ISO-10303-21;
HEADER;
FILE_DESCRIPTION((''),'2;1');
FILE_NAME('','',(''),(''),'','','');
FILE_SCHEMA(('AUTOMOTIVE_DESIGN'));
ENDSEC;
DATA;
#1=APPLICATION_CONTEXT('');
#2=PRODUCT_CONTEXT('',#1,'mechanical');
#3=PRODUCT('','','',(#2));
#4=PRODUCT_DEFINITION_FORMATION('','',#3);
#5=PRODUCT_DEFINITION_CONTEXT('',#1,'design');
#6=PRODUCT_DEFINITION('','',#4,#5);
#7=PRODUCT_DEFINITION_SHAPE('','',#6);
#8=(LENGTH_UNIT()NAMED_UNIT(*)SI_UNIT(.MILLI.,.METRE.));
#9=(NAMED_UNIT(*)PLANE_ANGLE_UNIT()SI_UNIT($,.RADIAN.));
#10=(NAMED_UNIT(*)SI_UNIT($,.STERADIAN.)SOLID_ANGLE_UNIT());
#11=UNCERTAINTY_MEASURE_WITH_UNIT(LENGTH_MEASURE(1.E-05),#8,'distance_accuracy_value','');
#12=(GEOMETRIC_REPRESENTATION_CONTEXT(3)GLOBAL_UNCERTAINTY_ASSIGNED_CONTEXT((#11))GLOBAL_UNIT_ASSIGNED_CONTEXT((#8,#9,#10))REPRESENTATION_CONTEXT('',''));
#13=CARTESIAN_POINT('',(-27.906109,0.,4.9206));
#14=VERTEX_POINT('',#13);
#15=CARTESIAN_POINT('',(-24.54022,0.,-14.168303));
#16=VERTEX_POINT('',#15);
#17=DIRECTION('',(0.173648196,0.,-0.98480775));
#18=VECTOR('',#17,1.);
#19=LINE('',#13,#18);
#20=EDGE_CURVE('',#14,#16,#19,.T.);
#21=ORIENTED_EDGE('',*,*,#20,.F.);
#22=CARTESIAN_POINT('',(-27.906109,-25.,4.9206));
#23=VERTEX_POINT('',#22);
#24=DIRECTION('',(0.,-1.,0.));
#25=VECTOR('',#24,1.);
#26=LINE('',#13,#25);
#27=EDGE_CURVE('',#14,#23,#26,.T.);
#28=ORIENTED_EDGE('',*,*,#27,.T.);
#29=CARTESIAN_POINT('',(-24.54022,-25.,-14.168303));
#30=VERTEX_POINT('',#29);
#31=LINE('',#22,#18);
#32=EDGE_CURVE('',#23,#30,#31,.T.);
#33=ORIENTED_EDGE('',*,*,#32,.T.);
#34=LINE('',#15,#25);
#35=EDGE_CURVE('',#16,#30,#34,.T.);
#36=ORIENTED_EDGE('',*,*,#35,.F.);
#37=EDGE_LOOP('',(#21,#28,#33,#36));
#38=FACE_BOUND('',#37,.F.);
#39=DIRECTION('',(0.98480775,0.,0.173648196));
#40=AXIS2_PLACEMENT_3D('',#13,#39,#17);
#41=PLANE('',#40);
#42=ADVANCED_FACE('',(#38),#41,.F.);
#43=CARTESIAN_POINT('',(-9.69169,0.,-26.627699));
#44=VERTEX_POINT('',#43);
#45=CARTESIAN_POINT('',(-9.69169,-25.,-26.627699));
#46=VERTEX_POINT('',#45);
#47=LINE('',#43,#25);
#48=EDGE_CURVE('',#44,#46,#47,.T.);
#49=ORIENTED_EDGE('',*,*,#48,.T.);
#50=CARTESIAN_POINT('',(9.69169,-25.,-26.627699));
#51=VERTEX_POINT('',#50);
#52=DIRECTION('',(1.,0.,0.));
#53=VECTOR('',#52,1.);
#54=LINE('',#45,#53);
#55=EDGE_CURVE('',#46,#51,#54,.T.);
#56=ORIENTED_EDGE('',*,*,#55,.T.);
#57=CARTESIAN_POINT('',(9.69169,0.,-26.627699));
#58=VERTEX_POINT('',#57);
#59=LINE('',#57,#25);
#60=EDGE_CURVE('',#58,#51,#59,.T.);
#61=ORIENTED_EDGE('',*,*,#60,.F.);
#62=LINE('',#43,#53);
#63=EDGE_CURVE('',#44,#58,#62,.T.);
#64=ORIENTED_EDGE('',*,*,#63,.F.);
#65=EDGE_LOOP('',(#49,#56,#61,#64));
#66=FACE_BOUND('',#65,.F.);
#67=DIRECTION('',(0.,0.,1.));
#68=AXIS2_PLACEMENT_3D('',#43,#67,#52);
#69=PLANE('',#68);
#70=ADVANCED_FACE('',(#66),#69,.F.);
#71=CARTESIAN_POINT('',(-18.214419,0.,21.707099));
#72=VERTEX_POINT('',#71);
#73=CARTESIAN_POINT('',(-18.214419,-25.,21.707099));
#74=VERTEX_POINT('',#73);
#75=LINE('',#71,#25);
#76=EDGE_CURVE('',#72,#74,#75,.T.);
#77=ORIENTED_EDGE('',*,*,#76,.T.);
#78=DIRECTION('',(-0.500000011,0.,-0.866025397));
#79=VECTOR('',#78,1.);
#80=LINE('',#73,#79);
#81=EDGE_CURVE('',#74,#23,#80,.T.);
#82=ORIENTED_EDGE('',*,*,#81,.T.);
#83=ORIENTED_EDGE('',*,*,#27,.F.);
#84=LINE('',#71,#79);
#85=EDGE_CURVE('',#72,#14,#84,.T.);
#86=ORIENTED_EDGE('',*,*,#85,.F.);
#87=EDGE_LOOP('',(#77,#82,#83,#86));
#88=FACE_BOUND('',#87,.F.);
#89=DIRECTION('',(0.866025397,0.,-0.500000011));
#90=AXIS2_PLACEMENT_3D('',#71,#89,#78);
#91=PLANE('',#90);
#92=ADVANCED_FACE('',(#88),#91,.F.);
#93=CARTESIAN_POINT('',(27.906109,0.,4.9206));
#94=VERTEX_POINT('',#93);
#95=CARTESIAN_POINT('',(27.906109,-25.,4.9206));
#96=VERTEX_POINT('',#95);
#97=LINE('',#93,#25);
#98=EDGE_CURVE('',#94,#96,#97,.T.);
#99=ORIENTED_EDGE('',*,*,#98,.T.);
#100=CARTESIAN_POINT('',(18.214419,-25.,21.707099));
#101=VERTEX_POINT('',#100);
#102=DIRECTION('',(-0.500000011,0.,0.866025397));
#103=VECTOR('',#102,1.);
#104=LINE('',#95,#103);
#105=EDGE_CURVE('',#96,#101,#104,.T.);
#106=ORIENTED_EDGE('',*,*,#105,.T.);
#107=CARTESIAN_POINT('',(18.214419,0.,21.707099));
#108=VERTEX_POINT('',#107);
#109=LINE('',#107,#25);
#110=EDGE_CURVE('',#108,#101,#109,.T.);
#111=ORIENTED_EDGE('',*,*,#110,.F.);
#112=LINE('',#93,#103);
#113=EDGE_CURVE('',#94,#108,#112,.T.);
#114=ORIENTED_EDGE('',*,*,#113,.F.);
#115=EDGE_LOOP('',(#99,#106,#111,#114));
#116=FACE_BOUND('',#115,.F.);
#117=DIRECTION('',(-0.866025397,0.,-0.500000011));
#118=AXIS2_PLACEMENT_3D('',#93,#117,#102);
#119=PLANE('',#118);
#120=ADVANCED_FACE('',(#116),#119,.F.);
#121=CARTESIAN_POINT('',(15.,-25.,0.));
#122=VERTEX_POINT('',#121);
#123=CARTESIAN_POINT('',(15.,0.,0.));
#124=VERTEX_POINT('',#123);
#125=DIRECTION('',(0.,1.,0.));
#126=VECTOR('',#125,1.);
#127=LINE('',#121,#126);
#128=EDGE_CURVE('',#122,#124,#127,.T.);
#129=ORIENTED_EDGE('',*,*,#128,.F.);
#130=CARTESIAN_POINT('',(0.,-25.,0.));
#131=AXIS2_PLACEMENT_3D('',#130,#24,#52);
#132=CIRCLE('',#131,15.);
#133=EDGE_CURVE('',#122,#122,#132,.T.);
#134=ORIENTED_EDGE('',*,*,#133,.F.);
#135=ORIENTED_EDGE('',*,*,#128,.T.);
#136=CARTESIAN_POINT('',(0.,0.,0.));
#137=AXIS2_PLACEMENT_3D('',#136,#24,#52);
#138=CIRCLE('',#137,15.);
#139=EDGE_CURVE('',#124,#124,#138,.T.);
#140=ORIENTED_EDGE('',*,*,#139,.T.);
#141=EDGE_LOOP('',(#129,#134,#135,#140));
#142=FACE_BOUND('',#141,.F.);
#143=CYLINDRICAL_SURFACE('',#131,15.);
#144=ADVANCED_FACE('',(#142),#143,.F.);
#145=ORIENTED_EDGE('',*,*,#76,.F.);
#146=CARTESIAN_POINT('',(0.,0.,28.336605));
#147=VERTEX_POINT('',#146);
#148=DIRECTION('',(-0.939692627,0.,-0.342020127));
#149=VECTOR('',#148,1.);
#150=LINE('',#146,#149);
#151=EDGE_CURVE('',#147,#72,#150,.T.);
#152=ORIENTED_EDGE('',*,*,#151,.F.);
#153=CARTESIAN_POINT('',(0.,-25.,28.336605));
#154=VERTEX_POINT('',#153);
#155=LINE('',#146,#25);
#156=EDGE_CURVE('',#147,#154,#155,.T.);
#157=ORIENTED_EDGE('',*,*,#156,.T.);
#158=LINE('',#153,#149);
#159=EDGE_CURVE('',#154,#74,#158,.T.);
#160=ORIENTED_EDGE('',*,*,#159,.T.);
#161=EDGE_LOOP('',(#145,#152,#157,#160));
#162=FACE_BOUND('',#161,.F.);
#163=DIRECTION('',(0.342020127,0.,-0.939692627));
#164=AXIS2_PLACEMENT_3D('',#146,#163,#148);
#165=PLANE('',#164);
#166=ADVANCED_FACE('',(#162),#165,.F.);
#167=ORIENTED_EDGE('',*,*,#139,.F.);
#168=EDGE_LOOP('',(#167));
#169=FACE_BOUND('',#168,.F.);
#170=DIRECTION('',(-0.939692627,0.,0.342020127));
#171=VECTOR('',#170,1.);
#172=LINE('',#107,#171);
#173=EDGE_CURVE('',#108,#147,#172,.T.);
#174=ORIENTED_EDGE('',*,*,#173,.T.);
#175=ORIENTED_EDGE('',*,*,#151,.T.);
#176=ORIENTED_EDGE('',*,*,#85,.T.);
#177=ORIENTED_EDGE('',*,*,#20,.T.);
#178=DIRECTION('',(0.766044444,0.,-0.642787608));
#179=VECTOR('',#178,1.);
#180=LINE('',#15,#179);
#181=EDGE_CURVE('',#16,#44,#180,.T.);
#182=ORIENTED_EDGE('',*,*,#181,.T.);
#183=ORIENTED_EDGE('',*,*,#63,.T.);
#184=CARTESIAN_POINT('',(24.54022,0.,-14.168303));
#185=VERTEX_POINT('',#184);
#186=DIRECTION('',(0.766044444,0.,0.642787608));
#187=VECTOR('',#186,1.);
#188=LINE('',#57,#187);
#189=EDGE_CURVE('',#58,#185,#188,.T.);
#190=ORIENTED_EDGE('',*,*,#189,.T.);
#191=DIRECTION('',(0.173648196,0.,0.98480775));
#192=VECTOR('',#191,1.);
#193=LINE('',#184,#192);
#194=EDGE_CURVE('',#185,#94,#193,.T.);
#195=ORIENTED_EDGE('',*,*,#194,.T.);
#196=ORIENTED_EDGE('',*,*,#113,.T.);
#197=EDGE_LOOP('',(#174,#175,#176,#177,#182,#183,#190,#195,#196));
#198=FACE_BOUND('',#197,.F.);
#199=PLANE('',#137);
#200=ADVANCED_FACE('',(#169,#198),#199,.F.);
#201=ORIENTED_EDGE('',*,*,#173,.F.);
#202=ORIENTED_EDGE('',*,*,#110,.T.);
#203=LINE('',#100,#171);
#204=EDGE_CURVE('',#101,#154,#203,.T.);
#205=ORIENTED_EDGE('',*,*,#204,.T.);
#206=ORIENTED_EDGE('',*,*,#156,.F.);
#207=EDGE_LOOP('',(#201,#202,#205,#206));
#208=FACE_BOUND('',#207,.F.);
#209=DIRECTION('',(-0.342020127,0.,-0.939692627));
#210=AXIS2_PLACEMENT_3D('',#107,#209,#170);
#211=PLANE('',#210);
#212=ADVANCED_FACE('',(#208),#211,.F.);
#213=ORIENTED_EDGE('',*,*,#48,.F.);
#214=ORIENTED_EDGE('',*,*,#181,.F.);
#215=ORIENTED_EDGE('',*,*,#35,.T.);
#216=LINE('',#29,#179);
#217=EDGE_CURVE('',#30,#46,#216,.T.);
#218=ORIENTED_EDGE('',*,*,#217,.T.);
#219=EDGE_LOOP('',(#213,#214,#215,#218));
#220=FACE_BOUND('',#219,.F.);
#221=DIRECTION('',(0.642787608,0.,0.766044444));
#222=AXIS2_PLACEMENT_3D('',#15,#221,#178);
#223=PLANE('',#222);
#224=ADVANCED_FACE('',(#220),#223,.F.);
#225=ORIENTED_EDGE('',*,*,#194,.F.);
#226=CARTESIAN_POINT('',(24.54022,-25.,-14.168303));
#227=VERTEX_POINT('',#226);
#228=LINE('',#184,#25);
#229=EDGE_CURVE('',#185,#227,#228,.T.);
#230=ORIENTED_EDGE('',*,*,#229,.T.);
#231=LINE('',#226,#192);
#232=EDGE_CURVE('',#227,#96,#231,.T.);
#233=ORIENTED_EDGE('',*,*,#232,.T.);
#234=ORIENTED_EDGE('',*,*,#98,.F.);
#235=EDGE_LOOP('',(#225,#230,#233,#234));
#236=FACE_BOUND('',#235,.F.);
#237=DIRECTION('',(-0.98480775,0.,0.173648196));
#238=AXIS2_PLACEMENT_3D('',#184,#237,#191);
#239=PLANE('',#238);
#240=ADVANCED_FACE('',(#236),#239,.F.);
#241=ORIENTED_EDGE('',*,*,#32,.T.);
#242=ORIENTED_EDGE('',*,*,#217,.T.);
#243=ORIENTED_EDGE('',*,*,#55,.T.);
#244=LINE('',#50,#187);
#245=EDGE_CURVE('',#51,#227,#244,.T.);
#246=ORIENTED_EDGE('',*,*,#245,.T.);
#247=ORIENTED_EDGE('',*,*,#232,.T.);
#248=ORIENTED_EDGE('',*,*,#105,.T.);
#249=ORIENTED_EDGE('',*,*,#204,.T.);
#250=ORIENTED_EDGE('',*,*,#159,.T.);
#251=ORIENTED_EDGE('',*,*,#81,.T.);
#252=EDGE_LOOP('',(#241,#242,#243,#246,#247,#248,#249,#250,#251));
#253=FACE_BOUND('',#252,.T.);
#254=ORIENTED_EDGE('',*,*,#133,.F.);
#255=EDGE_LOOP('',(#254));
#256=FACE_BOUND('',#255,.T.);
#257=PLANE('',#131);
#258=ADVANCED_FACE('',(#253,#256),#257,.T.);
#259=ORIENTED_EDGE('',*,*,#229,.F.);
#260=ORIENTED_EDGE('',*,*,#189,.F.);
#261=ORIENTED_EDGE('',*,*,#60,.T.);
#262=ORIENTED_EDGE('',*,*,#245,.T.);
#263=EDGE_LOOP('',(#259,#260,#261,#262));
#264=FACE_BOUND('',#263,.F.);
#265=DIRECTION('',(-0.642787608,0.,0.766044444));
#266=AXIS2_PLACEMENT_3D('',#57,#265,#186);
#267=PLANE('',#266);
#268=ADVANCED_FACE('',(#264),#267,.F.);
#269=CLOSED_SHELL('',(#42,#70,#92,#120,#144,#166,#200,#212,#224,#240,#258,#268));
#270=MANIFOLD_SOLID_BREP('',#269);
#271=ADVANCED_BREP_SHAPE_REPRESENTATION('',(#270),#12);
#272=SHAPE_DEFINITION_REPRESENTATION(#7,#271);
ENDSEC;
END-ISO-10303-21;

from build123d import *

# Parameters (mm, degrees)
F1_DEPTH = 25
F2_R     = 15
F3_DEPTH = 44.4


with BuildPart() as f1:
    # F0 (on Front) → F1 (new body)
    with BuildSketch(Plane.XZ):
        Polygon((-9.69169, -26.627699), (9.69169, -26.627699), (24.54022, -14.168303), (27.906109, 4.9206), (18.214419, 21.707099), (0, 28.336605), (-18.214419, 21.707099), (-27.906109, 4.9206), (-24.54022, -14.168303), align=None)
    extrude(amount=F1_DEPTH)

    # F2 (on face) → F3 (cut)
    with BuildSketch(Plane.XZ.offset(25)):
        Circle(F2_R)
    extrude(amount=-F3_DEPTH, mode=Mode.SUBTRACT)


solid = f1.part
